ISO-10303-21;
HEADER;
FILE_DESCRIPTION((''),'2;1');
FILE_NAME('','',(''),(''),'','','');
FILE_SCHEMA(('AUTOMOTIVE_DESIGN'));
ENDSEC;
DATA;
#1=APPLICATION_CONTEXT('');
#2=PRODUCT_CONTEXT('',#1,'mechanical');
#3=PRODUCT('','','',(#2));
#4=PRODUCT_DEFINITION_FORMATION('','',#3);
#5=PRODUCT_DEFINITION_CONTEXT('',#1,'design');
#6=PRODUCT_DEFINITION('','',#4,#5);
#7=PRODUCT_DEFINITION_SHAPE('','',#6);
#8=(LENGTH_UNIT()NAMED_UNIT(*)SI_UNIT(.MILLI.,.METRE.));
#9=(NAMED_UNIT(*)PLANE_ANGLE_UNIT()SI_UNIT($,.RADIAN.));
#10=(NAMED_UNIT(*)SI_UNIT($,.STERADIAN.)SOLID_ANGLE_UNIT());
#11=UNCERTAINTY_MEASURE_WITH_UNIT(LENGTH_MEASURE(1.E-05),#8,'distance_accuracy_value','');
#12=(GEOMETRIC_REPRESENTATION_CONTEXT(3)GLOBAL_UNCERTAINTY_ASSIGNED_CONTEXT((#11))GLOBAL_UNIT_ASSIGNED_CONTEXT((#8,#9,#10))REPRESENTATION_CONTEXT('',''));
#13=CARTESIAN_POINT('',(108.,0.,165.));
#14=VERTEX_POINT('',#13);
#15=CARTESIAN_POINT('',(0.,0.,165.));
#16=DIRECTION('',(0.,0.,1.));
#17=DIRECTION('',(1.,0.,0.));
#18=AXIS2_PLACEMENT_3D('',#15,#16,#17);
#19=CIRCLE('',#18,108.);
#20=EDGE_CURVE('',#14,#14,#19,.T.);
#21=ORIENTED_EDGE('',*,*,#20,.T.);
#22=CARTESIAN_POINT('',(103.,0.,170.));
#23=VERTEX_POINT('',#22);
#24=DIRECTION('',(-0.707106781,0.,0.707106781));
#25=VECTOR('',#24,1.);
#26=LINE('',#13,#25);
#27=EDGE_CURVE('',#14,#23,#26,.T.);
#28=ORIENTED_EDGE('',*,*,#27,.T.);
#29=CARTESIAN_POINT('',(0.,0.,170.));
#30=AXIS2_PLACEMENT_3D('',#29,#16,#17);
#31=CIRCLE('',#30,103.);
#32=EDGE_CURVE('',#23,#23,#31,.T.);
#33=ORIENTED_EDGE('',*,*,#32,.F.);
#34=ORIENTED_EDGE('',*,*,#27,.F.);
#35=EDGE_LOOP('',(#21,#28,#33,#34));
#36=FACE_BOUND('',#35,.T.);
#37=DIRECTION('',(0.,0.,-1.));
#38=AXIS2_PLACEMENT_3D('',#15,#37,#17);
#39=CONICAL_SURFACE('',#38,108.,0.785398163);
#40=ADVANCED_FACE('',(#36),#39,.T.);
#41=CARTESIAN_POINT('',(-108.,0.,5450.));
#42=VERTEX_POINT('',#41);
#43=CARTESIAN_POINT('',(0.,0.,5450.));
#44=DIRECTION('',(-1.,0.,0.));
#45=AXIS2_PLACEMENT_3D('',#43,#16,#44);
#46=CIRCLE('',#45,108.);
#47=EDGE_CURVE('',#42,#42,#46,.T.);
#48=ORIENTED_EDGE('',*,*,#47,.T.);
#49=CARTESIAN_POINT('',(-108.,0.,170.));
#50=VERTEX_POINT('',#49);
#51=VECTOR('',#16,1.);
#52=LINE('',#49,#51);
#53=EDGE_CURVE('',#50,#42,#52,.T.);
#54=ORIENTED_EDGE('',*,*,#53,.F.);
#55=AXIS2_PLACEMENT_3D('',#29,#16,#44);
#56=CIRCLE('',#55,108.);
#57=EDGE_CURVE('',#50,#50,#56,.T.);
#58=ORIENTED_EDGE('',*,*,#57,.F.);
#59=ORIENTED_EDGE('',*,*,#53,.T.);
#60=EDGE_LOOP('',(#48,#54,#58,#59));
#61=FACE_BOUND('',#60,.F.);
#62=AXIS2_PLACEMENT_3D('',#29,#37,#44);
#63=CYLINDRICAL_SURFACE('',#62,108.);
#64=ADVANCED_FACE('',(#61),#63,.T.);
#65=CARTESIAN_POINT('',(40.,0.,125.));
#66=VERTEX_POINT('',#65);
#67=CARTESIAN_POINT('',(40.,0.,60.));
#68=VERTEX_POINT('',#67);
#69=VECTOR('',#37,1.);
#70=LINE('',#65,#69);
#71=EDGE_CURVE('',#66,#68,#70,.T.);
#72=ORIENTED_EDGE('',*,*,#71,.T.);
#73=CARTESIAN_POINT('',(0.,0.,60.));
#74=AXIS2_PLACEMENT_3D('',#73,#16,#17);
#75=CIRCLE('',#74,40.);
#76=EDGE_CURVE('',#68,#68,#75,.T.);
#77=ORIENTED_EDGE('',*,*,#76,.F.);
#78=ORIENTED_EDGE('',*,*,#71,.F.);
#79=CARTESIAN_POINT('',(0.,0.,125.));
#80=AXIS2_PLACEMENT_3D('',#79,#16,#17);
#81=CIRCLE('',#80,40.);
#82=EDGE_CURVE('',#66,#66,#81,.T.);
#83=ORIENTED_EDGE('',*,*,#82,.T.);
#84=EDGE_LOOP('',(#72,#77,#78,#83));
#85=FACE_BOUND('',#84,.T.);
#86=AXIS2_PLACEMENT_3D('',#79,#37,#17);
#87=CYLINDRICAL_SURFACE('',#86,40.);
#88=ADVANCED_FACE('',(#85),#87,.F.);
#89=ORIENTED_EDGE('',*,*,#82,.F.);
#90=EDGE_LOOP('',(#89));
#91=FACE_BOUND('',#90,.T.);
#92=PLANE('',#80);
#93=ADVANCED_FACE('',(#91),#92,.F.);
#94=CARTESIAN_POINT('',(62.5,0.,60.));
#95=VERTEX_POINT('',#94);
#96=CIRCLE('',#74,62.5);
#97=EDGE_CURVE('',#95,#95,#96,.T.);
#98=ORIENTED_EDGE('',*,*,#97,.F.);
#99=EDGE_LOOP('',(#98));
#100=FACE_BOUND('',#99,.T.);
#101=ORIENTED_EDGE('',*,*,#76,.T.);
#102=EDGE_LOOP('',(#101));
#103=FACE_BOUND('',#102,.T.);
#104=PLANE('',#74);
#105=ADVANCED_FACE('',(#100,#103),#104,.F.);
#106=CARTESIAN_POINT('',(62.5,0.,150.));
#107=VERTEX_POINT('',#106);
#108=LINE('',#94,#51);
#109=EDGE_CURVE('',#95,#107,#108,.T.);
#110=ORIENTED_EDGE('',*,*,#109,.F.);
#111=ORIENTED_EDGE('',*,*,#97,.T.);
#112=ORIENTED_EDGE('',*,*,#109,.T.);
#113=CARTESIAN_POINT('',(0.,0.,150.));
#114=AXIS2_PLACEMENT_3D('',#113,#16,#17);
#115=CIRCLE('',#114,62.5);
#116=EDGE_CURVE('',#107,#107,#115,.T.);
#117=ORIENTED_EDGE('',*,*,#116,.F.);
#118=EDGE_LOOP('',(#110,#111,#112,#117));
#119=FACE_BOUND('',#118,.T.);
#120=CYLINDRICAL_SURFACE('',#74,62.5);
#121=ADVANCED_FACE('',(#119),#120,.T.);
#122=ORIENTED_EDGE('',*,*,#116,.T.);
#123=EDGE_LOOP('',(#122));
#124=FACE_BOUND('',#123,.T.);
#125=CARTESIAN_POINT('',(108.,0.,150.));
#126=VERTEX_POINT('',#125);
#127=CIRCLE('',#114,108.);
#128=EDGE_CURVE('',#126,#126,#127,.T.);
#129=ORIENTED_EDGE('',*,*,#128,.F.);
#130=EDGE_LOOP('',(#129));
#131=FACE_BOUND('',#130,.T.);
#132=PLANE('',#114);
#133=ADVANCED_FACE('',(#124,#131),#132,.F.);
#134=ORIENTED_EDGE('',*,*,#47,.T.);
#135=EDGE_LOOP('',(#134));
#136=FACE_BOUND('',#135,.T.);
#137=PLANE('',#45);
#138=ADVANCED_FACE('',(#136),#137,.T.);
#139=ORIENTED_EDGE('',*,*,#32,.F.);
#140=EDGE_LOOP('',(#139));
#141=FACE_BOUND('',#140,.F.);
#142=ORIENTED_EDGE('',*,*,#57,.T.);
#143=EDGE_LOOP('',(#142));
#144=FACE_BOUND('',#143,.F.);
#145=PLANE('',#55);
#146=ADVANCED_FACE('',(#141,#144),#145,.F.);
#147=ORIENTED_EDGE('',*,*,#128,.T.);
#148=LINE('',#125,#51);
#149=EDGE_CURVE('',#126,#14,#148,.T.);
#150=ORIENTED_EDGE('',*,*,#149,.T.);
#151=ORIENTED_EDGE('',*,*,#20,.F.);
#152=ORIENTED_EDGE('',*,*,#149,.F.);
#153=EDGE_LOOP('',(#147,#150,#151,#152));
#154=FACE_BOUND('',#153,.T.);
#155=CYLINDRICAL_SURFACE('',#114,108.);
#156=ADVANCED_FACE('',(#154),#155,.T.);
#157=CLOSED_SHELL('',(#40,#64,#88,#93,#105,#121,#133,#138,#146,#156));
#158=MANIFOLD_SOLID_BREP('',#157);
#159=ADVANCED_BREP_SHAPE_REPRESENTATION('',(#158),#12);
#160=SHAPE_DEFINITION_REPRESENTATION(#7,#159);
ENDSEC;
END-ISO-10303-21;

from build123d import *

# Parameters (mm, degrees)
CHAMFER001_SIZE = 5
SKETCH_R        = 108
PAD_DEPTH       = 5280


with BuildPart() as part:
    # Sketch002 → Revolution001 (revolve)
    with BuildSketch(Plane.XZ):
        Polygon((40, 0), (62.5, 0), (62.5, 90), (108, 90), (108, 110), (0, 110), (0, 65), (40, 65), align=None)
    revolve(axis=Axis((0, 0, 0), (0, 0, 1)))

    # Chamfer001
    chamfer001_edges = [part.edges().sort_by_distance(p)[0] for p in [
        (-108, 0, 110),
    ]]
    chamfer(chamfer001_edges, length=CHAMFER001_SIZE)

    # Sketch (on Face4 of Chamfer001) → Pad (new body)
    with BuildSketch(Plane(origin=(0, 0, 110), x_dir=(-1, 0, 0), z_dir=(0, 0, 1))):
        Circle(SKETCH_R)
    extrude(amount=PAD_DEPTH)


with BuildPart() as part_1:
    # Body001 placement: moved
    add(part.part.moved(Location((0, 0, 60))))


solid = part_1.part
